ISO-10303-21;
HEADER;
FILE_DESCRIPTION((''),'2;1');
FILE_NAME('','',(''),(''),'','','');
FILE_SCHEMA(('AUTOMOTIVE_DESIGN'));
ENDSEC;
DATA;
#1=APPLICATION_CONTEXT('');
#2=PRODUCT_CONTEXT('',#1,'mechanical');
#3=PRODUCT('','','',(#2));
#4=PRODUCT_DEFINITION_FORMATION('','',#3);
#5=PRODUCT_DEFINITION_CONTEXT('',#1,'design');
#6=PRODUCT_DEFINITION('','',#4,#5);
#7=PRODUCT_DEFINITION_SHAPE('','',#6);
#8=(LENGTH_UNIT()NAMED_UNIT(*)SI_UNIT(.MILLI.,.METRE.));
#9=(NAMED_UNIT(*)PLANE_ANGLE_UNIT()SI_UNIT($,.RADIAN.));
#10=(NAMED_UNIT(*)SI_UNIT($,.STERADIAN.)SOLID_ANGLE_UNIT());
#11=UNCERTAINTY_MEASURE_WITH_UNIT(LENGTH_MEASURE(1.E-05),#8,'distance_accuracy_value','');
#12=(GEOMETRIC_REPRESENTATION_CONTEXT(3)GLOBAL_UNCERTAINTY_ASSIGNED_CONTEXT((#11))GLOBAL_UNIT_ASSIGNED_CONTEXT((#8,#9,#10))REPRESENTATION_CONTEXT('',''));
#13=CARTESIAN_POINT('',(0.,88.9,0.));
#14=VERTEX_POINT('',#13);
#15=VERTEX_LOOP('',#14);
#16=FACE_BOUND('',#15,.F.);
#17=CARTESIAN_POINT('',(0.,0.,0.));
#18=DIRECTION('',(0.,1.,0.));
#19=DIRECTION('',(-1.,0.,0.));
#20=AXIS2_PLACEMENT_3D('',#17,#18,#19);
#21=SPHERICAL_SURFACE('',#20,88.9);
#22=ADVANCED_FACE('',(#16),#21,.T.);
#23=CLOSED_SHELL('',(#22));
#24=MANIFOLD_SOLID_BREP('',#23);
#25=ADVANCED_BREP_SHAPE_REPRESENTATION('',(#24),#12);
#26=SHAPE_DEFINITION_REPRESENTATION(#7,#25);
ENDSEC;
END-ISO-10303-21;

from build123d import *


with BuildPart() as part:
    # Sketch2 → Revolve1 (revolve)
    with BuildSketch(Plane.XY):
        with BuildLine():
            Line((0, 88.9), (0, -88.9))
            ThreePointArc((0, -88.9), (-88.9, 0), (0, 88.9))
        make_face()
    revolve(axis=Axis((0, 88.9, 0), (0, -1, 0)))


solid = part.part
